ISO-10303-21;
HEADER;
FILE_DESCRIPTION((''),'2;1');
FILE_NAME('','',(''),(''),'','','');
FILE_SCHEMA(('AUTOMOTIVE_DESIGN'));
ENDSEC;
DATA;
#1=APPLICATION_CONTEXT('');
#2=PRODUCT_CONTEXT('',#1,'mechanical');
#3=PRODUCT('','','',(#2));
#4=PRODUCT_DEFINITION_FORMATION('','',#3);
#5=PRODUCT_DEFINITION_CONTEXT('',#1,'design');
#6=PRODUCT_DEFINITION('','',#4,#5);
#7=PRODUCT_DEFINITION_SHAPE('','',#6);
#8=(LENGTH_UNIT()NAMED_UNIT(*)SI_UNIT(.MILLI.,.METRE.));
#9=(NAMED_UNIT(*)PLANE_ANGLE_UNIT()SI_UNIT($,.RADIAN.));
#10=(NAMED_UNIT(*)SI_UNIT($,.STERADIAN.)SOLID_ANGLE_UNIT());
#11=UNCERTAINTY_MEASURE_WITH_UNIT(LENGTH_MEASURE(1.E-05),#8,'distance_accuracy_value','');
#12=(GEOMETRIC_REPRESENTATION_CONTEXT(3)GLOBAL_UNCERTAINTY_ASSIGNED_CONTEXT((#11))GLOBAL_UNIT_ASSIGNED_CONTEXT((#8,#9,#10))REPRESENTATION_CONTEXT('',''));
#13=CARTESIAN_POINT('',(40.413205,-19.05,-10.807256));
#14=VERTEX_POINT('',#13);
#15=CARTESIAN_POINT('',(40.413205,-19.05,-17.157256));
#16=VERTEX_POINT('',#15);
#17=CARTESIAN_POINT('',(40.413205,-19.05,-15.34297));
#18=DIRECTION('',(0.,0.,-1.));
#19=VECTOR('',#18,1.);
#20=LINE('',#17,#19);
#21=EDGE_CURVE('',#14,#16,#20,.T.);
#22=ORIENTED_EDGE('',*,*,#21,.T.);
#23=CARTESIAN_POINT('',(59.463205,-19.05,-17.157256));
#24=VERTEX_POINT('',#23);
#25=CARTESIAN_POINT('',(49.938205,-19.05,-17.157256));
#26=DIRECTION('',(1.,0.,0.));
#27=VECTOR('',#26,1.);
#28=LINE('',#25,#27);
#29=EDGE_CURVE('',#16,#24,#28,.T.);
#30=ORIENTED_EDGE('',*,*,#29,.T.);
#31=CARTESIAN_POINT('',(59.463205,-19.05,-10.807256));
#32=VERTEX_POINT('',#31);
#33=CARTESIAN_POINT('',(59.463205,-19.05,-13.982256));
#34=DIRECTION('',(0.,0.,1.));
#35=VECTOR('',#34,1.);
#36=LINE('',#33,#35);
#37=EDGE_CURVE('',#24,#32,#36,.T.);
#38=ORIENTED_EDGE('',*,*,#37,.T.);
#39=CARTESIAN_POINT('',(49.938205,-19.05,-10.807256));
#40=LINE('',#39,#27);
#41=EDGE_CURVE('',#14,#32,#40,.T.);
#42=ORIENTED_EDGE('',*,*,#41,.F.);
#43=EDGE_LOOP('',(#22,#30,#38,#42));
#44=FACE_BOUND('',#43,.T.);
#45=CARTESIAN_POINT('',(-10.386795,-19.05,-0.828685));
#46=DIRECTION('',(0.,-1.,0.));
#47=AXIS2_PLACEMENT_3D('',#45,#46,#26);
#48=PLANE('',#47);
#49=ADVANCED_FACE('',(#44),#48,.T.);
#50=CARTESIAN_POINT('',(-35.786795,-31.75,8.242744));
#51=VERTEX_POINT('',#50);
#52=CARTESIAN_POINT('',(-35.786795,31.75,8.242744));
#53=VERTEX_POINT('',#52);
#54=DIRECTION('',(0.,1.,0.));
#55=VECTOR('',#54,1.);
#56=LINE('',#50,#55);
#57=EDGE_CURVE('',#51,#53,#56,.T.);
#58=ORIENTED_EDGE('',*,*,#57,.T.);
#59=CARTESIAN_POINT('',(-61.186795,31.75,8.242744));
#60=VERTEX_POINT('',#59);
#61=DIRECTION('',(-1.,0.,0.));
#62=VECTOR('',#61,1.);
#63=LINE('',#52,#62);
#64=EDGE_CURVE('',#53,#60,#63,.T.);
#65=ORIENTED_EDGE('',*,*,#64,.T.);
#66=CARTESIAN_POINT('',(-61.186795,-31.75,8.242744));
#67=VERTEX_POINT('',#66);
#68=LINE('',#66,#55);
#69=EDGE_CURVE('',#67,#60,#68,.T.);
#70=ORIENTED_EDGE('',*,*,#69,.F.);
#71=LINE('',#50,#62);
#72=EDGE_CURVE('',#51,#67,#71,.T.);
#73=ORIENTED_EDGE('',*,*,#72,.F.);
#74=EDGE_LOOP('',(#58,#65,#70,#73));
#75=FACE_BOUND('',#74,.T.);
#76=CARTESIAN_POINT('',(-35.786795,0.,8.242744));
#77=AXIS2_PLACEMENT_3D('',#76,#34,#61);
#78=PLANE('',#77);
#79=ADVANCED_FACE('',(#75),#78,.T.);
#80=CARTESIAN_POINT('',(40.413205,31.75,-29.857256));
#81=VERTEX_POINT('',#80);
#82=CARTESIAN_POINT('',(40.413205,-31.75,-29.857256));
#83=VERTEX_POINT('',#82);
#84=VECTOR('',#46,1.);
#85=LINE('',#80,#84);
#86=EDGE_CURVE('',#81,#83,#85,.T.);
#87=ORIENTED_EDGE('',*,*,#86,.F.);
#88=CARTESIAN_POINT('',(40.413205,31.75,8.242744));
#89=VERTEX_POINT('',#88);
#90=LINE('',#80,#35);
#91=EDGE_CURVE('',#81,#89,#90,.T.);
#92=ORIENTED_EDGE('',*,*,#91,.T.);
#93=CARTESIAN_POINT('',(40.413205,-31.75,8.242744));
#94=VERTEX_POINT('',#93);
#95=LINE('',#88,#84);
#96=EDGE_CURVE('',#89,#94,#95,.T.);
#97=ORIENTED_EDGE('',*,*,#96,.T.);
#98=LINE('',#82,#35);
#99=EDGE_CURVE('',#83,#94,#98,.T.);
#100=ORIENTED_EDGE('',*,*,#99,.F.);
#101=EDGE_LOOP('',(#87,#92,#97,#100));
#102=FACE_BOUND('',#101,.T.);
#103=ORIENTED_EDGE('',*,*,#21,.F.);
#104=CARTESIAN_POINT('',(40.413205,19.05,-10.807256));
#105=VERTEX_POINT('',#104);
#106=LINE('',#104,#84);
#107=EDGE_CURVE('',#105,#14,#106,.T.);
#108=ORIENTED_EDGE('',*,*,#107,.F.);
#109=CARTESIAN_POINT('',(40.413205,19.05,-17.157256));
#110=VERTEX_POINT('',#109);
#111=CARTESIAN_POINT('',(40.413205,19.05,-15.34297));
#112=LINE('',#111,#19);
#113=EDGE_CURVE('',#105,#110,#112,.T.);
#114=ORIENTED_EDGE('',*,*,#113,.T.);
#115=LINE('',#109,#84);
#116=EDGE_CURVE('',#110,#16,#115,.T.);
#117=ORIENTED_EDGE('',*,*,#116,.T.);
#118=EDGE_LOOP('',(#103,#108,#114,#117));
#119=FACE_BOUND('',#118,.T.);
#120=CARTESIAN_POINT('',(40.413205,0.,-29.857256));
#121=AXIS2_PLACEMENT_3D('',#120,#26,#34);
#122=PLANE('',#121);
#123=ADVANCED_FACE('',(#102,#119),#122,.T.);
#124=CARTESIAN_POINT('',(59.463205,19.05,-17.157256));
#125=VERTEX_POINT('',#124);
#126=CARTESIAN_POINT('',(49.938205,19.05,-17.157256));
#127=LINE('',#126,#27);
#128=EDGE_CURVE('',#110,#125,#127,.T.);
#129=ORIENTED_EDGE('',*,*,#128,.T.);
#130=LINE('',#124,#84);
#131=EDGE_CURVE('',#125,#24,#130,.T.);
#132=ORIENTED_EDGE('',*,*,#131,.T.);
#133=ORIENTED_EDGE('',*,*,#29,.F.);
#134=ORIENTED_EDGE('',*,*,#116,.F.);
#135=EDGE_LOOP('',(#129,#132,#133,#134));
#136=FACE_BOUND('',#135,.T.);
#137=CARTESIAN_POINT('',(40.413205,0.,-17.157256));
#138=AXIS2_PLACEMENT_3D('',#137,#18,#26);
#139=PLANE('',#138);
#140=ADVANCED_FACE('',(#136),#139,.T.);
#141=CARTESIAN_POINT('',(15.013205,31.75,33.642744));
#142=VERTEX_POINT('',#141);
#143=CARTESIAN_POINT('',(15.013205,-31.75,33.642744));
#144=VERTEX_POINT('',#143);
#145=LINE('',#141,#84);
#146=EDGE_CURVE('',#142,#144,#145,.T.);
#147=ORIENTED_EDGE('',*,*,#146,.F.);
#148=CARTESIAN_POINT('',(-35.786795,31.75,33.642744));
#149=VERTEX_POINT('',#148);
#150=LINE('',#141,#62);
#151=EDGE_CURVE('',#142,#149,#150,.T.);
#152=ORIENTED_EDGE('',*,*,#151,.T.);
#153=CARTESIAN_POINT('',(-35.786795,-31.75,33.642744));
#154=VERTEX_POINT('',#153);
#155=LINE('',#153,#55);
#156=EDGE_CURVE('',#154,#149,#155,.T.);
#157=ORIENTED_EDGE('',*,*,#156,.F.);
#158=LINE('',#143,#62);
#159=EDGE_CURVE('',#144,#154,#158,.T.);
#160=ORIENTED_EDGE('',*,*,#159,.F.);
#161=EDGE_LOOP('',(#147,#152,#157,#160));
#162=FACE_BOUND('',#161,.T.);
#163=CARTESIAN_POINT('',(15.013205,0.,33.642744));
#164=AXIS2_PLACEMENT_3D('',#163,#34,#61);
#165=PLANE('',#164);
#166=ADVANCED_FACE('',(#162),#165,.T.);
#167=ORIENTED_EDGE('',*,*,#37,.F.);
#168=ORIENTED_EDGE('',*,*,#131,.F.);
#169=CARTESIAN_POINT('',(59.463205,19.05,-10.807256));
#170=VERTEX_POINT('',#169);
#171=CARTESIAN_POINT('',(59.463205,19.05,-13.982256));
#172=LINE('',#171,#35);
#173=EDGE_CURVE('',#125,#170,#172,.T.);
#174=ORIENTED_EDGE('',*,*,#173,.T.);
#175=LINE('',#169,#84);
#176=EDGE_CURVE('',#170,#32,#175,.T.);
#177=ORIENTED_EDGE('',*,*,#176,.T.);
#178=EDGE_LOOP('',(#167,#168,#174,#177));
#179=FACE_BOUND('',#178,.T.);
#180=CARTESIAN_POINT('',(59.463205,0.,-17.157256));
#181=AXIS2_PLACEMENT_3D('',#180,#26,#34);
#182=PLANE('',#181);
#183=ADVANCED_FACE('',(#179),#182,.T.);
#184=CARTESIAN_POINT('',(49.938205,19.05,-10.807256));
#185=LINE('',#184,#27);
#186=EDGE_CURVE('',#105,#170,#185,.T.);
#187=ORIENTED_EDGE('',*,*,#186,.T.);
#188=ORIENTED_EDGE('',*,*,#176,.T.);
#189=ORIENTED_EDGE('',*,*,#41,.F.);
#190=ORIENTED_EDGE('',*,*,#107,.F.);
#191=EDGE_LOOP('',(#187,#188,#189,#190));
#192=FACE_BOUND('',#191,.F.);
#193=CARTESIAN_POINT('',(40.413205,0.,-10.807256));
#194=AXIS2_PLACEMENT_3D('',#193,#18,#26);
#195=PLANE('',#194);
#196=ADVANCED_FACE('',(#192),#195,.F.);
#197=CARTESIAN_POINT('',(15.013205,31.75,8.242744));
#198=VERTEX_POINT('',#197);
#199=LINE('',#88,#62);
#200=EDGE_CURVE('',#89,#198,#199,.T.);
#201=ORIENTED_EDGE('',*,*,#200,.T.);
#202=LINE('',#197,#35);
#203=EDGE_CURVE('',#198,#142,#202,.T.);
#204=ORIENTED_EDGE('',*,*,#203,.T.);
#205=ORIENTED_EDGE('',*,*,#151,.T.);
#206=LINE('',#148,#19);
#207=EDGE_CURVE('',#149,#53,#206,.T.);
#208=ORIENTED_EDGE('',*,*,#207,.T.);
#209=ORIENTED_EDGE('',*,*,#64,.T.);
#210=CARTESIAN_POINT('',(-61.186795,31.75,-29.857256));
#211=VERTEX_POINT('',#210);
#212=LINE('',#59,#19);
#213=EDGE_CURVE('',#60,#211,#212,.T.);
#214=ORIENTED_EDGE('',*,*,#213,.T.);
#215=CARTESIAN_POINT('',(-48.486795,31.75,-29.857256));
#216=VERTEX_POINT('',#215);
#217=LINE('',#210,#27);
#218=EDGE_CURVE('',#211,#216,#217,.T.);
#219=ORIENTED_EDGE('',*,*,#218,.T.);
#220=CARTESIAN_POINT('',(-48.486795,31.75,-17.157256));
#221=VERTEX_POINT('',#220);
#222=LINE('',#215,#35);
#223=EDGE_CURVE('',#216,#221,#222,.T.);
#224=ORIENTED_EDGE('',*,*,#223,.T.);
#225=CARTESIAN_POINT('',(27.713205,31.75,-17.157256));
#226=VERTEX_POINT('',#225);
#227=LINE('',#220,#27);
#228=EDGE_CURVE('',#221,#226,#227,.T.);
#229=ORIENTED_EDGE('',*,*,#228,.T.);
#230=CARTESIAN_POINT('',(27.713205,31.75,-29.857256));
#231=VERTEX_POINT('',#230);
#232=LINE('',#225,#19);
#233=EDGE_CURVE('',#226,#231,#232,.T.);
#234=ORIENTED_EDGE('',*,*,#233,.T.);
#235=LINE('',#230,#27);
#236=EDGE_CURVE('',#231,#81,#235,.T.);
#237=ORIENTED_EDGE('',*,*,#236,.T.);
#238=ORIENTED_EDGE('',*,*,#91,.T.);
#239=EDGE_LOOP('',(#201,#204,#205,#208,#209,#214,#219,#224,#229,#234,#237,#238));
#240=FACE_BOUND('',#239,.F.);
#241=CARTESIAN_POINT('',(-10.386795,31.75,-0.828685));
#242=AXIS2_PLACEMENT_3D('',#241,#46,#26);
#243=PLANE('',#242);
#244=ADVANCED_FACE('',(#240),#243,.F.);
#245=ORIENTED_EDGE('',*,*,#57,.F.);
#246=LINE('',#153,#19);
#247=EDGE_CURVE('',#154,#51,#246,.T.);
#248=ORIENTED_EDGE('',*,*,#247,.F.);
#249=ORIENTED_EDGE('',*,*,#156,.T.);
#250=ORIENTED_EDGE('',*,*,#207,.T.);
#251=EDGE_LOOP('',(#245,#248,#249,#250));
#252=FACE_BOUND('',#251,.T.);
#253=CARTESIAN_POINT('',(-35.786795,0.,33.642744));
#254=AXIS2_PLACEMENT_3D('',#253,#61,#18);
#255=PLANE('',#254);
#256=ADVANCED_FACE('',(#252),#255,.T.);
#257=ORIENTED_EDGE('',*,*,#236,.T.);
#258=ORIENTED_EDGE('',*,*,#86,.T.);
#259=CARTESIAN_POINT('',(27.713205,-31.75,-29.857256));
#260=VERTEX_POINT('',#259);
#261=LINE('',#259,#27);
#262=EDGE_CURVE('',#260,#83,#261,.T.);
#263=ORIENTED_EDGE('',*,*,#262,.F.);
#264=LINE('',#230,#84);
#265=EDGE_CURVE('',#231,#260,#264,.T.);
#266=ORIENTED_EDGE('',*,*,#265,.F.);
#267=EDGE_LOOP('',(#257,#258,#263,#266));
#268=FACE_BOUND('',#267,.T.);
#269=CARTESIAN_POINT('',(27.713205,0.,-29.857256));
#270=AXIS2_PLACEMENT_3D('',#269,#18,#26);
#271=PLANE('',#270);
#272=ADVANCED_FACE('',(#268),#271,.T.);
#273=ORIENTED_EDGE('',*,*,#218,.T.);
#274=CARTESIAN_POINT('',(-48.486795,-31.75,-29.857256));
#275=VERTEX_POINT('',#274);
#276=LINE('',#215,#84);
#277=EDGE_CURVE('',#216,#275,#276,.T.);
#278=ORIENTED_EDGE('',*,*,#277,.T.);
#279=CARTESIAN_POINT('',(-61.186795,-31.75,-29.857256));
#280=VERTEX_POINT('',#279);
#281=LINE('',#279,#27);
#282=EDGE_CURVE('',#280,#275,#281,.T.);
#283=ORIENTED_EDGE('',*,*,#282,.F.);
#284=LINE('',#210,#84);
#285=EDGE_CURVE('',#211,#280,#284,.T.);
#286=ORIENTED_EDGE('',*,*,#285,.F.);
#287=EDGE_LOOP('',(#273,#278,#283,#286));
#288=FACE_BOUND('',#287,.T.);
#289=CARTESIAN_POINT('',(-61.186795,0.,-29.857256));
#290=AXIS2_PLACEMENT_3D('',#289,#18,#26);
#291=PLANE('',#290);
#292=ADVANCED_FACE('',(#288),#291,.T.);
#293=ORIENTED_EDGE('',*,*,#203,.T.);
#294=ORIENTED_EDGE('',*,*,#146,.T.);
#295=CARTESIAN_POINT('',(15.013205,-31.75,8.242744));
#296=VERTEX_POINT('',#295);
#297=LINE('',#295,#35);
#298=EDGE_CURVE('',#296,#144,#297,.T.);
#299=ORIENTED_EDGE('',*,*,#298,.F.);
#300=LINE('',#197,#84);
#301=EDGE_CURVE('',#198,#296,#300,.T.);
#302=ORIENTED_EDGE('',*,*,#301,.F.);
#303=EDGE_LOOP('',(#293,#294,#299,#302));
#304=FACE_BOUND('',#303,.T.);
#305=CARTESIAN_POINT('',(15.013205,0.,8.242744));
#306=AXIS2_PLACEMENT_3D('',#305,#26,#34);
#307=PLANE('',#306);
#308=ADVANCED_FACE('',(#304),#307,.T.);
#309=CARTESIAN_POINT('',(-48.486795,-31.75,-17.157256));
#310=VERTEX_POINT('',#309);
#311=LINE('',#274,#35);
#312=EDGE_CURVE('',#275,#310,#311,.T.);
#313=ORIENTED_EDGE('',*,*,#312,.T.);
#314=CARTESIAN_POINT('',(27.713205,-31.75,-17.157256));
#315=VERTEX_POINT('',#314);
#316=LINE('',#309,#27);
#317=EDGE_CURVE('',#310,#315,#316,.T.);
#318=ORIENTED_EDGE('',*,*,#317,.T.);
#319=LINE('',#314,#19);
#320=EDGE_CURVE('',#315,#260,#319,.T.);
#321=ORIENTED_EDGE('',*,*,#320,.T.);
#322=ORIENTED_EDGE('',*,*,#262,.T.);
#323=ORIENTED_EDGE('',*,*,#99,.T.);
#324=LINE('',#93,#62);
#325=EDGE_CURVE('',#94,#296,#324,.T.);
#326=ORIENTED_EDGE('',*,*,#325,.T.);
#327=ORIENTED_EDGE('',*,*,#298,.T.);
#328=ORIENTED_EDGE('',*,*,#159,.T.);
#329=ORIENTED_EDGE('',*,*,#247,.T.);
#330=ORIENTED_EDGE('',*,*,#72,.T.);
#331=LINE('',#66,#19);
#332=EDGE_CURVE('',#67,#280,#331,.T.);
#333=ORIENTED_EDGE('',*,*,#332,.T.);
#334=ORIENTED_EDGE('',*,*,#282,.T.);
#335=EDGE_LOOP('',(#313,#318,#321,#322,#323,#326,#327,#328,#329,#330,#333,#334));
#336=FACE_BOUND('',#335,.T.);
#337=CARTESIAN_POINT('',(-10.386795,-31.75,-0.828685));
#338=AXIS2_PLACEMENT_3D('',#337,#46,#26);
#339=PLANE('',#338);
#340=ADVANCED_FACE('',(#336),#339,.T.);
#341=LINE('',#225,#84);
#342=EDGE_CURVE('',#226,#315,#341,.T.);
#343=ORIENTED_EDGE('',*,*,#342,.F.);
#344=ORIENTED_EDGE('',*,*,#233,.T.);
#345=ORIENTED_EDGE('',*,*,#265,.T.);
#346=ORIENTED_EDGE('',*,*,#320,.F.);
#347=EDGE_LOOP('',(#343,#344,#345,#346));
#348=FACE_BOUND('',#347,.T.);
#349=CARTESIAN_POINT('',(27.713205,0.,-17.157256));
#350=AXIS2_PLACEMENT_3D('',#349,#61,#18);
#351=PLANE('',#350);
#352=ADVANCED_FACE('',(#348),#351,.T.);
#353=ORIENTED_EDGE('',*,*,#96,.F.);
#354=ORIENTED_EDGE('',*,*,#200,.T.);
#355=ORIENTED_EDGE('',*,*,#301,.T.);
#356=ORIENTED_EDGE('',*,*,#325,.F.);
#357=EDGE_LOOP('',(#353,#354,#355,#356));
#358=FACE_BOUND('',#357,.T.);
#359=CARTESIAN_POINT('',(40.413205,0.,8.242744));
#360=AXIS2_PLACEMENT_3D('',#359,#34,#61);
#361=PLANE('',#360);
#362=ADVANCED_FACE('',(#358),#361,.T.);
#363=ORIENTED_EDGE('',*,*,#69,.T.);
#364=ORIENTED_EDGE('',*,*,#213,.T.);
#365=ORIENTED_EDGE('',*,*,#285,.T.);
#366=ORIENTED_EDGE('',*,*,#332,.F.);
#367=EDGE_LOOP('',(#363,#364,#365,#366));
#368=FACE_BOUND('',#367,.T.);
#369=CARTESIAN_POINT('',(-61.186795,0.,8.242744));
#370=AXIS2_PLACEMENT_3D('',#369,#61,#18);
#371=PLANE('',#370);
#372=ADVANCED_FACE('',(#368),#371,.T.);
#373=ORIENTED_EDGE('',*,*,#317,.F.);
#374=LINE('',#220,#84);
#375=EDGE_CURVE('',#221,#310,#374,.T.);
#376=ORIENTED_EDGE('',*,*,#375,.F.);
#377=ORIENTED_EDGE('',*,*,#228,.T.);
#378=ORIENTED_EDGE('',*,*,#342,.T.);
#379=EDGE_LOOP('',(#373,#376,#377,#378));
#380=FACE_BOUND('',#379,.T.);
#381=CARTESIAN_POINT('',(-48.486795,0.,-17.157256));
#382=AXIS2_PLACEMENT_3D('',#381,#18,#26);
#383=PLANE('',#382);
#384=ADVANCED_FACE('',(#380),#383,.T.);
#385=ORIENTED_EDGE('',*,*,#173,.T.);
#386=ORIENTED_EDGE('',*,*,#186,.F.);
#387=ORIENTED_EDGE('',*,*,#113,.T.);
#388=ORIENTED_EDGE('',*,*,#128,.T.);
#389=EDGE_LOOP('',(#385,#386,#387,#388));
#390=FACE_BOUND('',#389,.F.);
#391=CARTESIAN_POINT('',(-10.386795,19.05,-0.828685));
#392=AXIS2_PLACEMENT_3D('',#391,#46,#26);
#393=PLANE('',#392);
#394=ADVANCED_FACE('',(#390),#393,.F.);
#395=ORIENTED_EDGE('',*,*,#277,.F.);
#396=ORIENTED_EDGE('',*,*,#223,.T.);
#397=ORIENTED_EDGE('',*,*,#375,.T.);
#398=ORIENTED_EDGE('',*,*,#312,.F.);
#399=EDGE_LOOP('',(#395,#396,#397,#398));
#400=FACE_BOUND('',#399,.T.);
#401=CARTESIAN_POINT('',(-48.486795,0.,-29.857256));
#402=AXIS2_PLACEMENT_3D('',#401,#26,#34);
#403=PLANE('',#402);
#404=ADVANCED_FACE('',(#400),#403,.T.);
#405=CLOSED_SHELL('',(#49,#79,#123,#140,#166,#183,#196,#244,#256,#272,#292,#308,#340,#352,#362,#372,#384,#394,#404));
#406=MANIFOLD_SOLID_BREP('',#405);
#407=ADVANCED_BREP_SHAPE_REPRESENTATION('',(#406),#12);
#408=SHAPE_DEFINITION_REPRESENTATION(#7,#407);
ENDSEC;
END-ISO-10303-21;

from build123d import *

# Parameters (mm, degrees)
F1_DEPTH = 31.75
F0_W     = 19.05
F0_H     = 6.35
F2_DEPTH = 19.05


with BuildPart() as f1:
    # F0 (on Front) → F1 (new body, symmetric)
    with BuildSketch(Plane.XZ):
        Polygon((-61.186795, 8.242744), (-61.186795, -29.857256), (-48.486795, -29.857256), (-48.486795, -17.157256), (27.713205, -17.157256), (27.713205, -29.857256), (40.413205, -29.857256), (40.413205, -17.157256), (40.413205, -10.807256), (40.413205, 8.242744), (15.013205, 8.242744), (15.013205, 33.642744), (-35.786795, 33.642744), (-35.786795, 8.242744), align=None)
    extrude(amount=F1_DEPTH, both=True)

    # F0 (on Front) → F2 (join, symmetric)
    with BuildSketch(Plane.XZ):
        Polygon((-61.186795, 8.242744), (-61.186795, -29.857256), (-48.486795, -29.857256), (-48.486795, -17.157256), (27.713205, -17.157256), (27.713205, -29.857256), (40.413205, -29.857256), (40.413205, -17.157256), (40.413205, -10.807256), (40.413205, 8.242744), (15.013205, 8.242744), (15.013205, 33.642744), (-35.786795, 33.642744), (-35.786795, 8.242744), align=None)
        with Locations((49.938205, -13.982256)):
            Rectangle(F0_W, F0_H)
    extrude(amount=F2_DEPTH, both=True)


solid = f1.part
